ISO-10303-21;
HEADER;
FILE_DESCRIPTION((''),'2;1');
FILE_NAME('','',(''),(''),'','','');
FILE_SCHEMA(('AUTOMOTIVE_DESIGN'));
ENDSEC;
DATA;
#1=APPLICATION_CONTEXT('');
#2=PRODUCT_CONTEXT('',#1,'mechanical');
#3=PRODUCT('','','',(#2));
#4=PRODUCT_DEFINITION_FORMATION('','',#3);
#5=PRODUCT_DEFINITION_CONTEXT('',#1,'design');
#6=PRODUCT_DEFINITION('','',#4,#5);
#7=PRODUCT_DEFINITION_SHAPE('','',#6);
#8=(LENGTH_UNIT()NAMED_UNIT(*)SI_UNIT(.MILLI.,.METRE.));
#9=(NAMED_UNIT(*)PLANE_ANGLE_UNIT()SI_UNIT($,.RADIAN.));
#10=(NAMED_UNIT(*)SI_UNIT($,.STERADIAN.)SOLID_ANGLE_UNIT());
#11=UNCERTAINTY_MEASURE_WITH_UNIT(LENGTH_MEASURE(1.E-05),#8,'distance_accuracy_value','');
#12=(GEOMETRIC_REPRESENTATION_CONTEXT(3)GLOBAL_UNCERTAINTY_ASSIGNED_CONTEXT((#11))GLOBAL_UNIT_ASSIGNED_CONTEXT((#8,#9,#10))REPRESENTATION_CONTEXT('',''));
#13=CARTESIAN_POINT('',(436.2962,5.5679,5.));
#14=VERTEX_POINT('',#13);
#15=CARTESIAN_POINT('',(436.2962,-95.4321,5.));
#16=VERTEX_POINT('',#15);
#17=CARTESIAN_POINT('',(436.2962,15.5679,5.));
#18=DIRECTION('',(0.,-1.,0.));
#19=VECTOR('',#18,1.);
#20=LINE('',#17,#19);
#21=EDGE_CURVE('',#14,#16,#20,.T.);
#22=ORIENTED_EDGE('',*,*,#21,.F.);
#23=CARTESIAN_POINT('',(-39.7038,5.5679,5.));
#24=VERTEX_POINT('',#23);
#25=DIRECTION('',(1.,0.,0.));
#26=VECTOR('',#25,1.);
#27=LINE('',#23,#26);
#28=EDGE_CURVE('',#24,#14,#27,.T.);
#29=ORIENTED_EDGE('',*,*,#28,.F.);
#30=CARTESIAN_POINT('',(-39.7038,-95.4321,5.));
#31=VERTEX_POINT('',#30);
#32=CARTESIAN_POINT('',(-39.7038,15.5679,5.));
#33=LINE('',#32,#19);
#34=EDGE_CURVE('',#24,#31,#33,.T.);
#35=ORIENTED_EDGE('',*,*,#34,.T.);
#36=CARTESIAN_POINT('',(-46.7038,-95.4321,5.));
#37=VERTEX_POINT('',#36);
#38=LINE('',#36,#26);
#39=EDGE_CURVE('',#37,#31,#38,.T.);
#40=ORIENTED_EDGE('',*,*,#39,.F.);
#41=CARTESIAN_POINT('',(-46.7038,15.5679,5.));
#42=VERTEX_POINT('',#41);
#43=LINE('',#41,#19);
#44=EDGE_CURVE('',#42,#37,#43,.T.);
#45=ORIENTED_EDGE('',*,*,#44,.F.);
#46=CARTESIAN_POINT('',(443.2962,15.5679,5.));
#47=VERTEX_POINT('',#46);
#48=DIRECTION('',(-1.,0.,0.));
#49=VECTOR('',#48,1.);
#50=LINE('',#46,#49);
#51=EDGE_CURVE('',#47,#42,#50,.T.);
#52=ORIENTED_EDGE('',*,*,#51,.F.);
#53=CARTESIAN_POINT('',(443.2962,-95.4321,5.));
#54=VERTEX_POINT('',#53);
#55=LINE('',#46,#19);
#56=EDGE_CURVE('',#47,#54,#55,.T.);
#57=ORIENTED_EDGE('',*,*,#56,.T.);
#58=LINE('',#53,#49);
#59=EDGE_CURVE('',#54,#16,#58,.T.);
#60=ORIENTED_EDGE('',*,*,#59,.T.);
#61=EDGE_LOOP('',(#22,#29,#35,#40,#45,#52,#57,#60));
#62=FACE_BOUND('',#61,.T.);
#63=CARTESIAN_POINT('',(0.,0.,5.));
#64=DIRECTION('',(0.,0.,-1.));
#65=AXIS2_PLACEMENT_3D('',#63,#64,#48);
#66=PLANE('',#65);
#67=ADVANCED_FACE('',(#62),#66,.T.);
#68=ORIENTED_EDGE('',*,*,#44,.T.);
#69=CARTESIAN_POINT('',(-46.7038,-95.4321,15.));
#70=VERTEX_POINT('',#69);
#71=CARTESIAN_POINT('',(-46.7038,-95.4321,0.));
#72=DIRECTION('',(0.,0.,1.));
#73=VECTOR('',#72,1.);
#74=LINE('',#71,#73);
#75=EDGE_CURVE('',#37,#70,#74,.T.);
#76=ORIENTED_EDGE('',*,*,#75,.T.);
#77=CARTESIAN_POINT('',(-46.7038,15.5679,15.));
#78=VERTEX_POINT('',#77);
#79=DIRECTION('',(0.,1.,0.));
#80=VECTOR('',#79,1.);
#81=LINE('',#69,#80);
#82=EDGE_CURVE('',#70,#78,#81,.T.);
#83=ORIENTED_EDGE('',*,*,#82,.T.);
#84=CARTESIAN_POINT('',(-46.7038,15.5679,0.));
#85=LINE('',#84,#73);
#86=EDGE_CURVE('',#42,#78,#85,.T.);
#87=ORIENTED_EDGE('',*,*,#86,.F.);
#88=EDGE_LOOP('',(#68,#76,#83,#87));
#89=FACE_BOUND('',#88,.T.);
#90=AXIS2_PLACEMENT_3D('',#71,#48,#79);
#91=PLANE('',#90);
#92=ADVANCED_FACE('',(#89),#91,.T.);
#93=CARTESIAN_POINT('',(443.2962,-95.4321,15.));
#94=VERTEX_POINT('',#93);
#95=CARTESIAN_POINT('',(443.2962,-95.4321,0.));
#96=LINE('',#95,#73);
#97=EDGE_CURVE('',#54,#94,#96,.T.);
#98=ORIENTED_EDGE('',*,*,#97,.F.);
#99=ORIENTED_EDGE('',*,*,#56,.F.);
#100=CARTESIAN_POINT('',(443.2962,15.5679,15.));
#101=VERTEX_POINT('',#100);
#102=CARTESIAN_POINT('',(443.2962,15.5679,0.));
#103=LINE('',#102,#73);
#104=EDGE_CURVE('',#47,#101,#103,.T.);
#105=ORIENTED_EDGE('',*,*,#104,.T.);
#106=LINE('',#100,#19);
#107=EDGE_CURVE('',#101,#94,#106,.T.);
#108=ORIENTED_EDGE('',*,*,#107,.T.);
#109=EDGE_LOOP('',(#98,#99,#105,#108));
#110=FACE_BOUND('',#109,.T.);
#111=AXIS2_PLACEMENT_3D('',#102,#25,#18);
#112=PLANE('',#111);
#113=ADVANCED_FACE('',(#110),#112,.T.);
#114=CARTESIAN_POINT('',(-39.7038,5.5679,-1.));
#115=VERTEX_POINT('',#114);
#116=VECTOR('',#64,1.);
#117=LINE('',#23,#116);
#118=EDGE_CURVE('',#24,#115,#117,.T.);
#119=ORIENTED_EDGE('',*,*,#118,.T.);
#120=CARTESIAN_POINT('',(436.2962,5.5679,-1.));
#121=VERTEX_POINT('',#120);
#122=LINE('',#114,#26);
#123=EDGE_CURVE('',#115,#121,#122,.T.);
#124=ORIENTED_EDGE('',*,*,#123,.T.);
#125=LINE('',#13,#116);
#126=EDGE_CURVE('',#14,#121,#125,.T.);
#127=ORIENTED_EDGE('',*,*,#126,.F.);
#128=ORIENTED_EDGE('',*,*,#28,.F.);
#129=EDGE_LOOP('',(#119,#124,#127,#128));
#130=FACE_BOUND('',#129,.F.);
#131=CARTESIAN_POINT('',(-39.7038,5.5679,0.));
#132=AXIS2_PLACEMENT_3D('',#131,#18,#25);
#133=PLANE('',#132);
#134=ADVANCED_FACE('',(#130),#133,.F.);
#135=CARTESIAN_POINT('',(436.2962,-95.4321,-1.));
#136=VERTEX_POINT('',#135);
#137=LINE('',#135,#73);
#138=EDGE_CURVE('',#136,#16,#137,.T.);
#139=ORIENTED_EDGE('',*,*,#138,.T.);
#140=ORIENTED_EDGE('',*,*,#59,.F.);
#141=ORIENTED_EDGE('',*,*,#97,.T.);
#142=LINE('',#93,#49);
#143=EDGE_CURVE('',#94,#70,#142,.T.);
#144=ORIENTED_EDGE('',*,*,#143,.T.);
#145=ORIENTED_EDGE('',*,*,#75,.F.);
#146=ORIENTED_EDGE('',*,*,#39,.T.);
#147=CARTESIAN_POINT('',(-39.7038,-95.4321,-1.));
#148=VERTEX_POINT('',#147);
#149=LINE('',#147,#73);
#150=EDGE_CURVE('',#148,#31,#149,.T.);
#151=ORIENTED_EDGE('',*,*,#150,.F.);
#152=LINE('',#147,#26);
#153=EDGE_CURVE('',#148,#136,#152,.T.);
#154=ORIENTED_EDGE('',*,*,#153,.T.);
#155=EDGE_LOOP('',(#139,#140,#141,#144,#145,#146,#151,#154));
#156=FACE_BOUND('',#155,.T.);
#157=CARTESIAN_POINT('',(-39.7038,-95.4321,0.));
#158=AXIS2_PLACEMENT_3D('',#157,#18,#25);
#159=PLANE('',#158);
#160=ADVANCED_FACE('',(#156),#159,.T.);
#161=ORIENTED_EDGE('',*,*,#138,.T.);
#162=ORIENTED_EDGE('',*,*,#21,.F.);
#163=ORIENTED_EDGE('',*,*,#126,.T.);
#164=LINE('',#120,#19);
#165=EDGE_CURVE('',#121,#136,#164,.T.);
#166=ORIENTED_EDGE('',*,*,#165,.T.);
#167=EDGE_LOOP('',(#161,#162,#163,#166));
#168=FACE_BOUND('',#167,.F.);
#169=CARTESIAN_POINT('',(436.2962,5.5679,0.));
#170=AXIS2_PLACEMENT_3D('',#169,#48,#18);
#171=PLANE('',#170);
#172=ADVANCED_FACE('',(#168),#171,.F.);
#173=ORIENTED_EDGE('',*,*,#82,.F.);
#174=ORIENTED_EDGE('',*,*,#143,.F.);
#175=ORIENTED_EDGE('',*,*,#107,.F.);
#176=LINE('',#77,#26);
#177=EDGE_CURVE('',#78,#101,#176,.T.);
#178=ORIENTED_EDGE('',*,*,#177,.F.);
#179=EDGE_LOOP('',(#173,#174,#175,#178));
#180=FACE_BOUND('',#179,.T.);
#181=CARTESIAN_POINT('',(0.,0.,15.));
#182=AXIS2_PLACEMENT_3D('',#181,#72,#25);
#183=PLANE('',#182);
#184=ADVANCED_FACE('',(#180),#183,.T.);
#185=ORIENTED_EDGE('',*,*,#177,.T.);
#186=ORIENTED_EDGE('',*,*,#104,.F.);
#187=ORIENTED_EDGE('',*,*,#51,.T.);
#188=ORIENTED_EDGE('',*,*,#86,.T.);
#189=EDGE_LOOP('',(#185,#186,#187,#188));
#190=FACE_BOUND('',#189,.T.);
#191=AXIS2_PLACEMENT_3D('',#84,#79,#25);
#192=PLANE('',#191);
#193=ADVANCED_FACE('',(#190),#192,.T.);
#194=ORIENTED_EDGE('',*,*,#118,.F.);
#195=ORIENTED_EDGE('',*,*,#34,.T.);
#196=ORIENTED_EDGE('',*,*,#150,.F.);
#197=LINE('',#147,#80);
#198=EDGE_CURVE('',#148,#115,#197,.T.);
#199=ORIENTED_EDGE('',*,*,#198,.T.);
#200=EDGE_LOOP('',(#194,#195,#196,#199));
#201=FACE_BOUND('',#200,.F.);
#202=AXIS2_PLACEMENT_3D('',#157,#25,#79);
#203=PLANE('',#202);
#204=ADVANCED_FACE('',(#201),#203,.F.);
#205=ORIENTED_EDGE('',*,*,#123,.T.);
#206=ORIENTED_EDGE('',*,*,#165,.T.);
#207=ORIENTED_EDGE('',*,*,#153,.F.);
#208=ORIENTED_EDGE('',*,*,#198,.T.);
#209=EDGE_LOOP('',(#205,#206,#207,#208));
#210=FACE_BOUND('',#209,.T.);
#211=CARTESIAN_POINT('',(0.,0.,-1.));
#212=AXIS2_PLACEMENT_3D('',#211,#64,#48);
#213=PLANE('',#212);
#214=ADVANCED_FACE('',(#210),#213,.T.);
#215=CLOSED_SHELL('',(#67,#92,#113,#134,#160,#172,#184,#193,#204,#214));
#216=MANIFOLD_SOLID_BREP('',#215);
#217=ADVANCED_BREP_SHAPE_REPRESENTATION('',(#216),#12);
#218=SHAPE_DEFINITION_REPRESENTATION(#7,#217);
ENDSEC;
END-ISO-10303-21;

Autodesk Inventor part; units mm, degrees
ref_plane "YZ Plane" through (0, 0, 0) normal (1, 0, 0) x (0, 1, 0)
ref_plane "XZ Plane" through (0, 0, 0) normal (0, 1, 0) x (-1, 0, 0)
ref_plane "XY Plane" through (0, 0, 0) normal (0, 0, 1) x (1, 0, 0)
sketch "Sketch1" plane through (0, 0, 0) normal (0, 0, 1) x (1, 0, 0)
  line L0 (-46.7038, 15.5679) -> (443.2962, 15.5679)
  line L1 (443.2962, 15.5679) -> (443.2962, -95.4321)
  line L2 (443.2962, -95.4321) -> (-46.7038, -95.4321)
  line L3 (-46.7038, -95.4321) -> (-46.7038, 15.5679)
  point P0 (0, 0)
  dimension "d0" = 490
  dimension "d1" = 111
extrude "Extrusion1" add sketch "Sketch1" along normal blind 15
sketch "Sketch2" plane through (443.2962, -95.4321, 0) normal (1, 0, 0) x (0, 0, -1)
  line L0 (0, 0) -> (0, 111) projected
  line L1 (0, 111) -> (-5, 111)
  line L2 (-5, 111) -> (-5, 0)
  line L3 (-5, 0) -> (0, 0)
  line L4 (0, 0) -> (0, 111)
  point P0 (0, 95.4321)
  dimension "d4" = 5
  dimension "d5" = 111
extrude "Extrusion2" cut sketch "Sketch2" against normal blind 7
sketch "Sketch3" plane through (-46.7038, -95.4321, 0) normal (-1, 0, 0) x (0, 0, 1)
  line L0 (0, 111) -> (0, 0) projected
  line L1 (0, 111) -> (5, 111)
  line L2 (5, 111) -> (5, 0)
  line L3 (5, 0) -> (0, 0)
  line L4 (0, 0) -> (0, 111)
  point P0 (0, 95.4321)
  dimension "d8" = 5
  dimension "d9" = 111
extrude "Extrusion3" cut sketch "Sketch3" against normal blind 7
sketch "Sketch4" plane through (0, 0, 0) normal (0, 0, -1) x (-1, 0, 0)
  line L0 (-436.2962, 15.5679) -> (-436.2962, -95.4321) projected
  line L1 (-436.2962, 15.5679) -> (39.7038, 15.5679)
  line L2 (39.7038, 15.5679) -> (39.7038, 5.5679)
  line L3 (39.7038, 5.5679) -> (-436.2962, 5.5679)
  line L4 (-436.2962, 5.5679) -> (-436.2962, 15.5679)
  point P0 (0, 0)
  dimension "d12" = 476
  dimension "d13" = 10
extrude "Extrusion4" cut sketch "Sketch4" against normal blind 5
sketch "Sketch5" plane through (0, 0, 0) normal (0, 0, -1) x (-1, 0, 0)
  line L0 (39.7038, 5.5679) -> (-436.2962, 5.5679) projected
  line L1 (-436.2962, 5.5679) -> (-436.2962, -95.4321) projected
  line L2 (39.7038, -95.4321) -> (-436.2962, -95.4321) projected
  line L3 (39.7038, -95.4321) -> (39.7038, 5.5679) projected
  line L4 (-436.2962, -95.4321) -> (-436.2962, 5.5679) projected
  line L5 (39.7038, 5.5679) -> (39.7038, -95.4321) projected
  line L6 (-436.2962, 5.5679) -> (39.7038, 5.5679)
  line L7 (39.7038, 5.5679) -> (39.7038, -95.4321)
  line L8 (39.7038, -95.4321) -> (-436.2962, -95.4321)
  line L9 (-436.2962, -95.4321) -> (-436.2962, 5.5679)
  point P0 (0, 0)
extrude "Extrusion5" add sketch "Sketch5" along normal blind 1
properties part number "Arcade_FrontBottom"
